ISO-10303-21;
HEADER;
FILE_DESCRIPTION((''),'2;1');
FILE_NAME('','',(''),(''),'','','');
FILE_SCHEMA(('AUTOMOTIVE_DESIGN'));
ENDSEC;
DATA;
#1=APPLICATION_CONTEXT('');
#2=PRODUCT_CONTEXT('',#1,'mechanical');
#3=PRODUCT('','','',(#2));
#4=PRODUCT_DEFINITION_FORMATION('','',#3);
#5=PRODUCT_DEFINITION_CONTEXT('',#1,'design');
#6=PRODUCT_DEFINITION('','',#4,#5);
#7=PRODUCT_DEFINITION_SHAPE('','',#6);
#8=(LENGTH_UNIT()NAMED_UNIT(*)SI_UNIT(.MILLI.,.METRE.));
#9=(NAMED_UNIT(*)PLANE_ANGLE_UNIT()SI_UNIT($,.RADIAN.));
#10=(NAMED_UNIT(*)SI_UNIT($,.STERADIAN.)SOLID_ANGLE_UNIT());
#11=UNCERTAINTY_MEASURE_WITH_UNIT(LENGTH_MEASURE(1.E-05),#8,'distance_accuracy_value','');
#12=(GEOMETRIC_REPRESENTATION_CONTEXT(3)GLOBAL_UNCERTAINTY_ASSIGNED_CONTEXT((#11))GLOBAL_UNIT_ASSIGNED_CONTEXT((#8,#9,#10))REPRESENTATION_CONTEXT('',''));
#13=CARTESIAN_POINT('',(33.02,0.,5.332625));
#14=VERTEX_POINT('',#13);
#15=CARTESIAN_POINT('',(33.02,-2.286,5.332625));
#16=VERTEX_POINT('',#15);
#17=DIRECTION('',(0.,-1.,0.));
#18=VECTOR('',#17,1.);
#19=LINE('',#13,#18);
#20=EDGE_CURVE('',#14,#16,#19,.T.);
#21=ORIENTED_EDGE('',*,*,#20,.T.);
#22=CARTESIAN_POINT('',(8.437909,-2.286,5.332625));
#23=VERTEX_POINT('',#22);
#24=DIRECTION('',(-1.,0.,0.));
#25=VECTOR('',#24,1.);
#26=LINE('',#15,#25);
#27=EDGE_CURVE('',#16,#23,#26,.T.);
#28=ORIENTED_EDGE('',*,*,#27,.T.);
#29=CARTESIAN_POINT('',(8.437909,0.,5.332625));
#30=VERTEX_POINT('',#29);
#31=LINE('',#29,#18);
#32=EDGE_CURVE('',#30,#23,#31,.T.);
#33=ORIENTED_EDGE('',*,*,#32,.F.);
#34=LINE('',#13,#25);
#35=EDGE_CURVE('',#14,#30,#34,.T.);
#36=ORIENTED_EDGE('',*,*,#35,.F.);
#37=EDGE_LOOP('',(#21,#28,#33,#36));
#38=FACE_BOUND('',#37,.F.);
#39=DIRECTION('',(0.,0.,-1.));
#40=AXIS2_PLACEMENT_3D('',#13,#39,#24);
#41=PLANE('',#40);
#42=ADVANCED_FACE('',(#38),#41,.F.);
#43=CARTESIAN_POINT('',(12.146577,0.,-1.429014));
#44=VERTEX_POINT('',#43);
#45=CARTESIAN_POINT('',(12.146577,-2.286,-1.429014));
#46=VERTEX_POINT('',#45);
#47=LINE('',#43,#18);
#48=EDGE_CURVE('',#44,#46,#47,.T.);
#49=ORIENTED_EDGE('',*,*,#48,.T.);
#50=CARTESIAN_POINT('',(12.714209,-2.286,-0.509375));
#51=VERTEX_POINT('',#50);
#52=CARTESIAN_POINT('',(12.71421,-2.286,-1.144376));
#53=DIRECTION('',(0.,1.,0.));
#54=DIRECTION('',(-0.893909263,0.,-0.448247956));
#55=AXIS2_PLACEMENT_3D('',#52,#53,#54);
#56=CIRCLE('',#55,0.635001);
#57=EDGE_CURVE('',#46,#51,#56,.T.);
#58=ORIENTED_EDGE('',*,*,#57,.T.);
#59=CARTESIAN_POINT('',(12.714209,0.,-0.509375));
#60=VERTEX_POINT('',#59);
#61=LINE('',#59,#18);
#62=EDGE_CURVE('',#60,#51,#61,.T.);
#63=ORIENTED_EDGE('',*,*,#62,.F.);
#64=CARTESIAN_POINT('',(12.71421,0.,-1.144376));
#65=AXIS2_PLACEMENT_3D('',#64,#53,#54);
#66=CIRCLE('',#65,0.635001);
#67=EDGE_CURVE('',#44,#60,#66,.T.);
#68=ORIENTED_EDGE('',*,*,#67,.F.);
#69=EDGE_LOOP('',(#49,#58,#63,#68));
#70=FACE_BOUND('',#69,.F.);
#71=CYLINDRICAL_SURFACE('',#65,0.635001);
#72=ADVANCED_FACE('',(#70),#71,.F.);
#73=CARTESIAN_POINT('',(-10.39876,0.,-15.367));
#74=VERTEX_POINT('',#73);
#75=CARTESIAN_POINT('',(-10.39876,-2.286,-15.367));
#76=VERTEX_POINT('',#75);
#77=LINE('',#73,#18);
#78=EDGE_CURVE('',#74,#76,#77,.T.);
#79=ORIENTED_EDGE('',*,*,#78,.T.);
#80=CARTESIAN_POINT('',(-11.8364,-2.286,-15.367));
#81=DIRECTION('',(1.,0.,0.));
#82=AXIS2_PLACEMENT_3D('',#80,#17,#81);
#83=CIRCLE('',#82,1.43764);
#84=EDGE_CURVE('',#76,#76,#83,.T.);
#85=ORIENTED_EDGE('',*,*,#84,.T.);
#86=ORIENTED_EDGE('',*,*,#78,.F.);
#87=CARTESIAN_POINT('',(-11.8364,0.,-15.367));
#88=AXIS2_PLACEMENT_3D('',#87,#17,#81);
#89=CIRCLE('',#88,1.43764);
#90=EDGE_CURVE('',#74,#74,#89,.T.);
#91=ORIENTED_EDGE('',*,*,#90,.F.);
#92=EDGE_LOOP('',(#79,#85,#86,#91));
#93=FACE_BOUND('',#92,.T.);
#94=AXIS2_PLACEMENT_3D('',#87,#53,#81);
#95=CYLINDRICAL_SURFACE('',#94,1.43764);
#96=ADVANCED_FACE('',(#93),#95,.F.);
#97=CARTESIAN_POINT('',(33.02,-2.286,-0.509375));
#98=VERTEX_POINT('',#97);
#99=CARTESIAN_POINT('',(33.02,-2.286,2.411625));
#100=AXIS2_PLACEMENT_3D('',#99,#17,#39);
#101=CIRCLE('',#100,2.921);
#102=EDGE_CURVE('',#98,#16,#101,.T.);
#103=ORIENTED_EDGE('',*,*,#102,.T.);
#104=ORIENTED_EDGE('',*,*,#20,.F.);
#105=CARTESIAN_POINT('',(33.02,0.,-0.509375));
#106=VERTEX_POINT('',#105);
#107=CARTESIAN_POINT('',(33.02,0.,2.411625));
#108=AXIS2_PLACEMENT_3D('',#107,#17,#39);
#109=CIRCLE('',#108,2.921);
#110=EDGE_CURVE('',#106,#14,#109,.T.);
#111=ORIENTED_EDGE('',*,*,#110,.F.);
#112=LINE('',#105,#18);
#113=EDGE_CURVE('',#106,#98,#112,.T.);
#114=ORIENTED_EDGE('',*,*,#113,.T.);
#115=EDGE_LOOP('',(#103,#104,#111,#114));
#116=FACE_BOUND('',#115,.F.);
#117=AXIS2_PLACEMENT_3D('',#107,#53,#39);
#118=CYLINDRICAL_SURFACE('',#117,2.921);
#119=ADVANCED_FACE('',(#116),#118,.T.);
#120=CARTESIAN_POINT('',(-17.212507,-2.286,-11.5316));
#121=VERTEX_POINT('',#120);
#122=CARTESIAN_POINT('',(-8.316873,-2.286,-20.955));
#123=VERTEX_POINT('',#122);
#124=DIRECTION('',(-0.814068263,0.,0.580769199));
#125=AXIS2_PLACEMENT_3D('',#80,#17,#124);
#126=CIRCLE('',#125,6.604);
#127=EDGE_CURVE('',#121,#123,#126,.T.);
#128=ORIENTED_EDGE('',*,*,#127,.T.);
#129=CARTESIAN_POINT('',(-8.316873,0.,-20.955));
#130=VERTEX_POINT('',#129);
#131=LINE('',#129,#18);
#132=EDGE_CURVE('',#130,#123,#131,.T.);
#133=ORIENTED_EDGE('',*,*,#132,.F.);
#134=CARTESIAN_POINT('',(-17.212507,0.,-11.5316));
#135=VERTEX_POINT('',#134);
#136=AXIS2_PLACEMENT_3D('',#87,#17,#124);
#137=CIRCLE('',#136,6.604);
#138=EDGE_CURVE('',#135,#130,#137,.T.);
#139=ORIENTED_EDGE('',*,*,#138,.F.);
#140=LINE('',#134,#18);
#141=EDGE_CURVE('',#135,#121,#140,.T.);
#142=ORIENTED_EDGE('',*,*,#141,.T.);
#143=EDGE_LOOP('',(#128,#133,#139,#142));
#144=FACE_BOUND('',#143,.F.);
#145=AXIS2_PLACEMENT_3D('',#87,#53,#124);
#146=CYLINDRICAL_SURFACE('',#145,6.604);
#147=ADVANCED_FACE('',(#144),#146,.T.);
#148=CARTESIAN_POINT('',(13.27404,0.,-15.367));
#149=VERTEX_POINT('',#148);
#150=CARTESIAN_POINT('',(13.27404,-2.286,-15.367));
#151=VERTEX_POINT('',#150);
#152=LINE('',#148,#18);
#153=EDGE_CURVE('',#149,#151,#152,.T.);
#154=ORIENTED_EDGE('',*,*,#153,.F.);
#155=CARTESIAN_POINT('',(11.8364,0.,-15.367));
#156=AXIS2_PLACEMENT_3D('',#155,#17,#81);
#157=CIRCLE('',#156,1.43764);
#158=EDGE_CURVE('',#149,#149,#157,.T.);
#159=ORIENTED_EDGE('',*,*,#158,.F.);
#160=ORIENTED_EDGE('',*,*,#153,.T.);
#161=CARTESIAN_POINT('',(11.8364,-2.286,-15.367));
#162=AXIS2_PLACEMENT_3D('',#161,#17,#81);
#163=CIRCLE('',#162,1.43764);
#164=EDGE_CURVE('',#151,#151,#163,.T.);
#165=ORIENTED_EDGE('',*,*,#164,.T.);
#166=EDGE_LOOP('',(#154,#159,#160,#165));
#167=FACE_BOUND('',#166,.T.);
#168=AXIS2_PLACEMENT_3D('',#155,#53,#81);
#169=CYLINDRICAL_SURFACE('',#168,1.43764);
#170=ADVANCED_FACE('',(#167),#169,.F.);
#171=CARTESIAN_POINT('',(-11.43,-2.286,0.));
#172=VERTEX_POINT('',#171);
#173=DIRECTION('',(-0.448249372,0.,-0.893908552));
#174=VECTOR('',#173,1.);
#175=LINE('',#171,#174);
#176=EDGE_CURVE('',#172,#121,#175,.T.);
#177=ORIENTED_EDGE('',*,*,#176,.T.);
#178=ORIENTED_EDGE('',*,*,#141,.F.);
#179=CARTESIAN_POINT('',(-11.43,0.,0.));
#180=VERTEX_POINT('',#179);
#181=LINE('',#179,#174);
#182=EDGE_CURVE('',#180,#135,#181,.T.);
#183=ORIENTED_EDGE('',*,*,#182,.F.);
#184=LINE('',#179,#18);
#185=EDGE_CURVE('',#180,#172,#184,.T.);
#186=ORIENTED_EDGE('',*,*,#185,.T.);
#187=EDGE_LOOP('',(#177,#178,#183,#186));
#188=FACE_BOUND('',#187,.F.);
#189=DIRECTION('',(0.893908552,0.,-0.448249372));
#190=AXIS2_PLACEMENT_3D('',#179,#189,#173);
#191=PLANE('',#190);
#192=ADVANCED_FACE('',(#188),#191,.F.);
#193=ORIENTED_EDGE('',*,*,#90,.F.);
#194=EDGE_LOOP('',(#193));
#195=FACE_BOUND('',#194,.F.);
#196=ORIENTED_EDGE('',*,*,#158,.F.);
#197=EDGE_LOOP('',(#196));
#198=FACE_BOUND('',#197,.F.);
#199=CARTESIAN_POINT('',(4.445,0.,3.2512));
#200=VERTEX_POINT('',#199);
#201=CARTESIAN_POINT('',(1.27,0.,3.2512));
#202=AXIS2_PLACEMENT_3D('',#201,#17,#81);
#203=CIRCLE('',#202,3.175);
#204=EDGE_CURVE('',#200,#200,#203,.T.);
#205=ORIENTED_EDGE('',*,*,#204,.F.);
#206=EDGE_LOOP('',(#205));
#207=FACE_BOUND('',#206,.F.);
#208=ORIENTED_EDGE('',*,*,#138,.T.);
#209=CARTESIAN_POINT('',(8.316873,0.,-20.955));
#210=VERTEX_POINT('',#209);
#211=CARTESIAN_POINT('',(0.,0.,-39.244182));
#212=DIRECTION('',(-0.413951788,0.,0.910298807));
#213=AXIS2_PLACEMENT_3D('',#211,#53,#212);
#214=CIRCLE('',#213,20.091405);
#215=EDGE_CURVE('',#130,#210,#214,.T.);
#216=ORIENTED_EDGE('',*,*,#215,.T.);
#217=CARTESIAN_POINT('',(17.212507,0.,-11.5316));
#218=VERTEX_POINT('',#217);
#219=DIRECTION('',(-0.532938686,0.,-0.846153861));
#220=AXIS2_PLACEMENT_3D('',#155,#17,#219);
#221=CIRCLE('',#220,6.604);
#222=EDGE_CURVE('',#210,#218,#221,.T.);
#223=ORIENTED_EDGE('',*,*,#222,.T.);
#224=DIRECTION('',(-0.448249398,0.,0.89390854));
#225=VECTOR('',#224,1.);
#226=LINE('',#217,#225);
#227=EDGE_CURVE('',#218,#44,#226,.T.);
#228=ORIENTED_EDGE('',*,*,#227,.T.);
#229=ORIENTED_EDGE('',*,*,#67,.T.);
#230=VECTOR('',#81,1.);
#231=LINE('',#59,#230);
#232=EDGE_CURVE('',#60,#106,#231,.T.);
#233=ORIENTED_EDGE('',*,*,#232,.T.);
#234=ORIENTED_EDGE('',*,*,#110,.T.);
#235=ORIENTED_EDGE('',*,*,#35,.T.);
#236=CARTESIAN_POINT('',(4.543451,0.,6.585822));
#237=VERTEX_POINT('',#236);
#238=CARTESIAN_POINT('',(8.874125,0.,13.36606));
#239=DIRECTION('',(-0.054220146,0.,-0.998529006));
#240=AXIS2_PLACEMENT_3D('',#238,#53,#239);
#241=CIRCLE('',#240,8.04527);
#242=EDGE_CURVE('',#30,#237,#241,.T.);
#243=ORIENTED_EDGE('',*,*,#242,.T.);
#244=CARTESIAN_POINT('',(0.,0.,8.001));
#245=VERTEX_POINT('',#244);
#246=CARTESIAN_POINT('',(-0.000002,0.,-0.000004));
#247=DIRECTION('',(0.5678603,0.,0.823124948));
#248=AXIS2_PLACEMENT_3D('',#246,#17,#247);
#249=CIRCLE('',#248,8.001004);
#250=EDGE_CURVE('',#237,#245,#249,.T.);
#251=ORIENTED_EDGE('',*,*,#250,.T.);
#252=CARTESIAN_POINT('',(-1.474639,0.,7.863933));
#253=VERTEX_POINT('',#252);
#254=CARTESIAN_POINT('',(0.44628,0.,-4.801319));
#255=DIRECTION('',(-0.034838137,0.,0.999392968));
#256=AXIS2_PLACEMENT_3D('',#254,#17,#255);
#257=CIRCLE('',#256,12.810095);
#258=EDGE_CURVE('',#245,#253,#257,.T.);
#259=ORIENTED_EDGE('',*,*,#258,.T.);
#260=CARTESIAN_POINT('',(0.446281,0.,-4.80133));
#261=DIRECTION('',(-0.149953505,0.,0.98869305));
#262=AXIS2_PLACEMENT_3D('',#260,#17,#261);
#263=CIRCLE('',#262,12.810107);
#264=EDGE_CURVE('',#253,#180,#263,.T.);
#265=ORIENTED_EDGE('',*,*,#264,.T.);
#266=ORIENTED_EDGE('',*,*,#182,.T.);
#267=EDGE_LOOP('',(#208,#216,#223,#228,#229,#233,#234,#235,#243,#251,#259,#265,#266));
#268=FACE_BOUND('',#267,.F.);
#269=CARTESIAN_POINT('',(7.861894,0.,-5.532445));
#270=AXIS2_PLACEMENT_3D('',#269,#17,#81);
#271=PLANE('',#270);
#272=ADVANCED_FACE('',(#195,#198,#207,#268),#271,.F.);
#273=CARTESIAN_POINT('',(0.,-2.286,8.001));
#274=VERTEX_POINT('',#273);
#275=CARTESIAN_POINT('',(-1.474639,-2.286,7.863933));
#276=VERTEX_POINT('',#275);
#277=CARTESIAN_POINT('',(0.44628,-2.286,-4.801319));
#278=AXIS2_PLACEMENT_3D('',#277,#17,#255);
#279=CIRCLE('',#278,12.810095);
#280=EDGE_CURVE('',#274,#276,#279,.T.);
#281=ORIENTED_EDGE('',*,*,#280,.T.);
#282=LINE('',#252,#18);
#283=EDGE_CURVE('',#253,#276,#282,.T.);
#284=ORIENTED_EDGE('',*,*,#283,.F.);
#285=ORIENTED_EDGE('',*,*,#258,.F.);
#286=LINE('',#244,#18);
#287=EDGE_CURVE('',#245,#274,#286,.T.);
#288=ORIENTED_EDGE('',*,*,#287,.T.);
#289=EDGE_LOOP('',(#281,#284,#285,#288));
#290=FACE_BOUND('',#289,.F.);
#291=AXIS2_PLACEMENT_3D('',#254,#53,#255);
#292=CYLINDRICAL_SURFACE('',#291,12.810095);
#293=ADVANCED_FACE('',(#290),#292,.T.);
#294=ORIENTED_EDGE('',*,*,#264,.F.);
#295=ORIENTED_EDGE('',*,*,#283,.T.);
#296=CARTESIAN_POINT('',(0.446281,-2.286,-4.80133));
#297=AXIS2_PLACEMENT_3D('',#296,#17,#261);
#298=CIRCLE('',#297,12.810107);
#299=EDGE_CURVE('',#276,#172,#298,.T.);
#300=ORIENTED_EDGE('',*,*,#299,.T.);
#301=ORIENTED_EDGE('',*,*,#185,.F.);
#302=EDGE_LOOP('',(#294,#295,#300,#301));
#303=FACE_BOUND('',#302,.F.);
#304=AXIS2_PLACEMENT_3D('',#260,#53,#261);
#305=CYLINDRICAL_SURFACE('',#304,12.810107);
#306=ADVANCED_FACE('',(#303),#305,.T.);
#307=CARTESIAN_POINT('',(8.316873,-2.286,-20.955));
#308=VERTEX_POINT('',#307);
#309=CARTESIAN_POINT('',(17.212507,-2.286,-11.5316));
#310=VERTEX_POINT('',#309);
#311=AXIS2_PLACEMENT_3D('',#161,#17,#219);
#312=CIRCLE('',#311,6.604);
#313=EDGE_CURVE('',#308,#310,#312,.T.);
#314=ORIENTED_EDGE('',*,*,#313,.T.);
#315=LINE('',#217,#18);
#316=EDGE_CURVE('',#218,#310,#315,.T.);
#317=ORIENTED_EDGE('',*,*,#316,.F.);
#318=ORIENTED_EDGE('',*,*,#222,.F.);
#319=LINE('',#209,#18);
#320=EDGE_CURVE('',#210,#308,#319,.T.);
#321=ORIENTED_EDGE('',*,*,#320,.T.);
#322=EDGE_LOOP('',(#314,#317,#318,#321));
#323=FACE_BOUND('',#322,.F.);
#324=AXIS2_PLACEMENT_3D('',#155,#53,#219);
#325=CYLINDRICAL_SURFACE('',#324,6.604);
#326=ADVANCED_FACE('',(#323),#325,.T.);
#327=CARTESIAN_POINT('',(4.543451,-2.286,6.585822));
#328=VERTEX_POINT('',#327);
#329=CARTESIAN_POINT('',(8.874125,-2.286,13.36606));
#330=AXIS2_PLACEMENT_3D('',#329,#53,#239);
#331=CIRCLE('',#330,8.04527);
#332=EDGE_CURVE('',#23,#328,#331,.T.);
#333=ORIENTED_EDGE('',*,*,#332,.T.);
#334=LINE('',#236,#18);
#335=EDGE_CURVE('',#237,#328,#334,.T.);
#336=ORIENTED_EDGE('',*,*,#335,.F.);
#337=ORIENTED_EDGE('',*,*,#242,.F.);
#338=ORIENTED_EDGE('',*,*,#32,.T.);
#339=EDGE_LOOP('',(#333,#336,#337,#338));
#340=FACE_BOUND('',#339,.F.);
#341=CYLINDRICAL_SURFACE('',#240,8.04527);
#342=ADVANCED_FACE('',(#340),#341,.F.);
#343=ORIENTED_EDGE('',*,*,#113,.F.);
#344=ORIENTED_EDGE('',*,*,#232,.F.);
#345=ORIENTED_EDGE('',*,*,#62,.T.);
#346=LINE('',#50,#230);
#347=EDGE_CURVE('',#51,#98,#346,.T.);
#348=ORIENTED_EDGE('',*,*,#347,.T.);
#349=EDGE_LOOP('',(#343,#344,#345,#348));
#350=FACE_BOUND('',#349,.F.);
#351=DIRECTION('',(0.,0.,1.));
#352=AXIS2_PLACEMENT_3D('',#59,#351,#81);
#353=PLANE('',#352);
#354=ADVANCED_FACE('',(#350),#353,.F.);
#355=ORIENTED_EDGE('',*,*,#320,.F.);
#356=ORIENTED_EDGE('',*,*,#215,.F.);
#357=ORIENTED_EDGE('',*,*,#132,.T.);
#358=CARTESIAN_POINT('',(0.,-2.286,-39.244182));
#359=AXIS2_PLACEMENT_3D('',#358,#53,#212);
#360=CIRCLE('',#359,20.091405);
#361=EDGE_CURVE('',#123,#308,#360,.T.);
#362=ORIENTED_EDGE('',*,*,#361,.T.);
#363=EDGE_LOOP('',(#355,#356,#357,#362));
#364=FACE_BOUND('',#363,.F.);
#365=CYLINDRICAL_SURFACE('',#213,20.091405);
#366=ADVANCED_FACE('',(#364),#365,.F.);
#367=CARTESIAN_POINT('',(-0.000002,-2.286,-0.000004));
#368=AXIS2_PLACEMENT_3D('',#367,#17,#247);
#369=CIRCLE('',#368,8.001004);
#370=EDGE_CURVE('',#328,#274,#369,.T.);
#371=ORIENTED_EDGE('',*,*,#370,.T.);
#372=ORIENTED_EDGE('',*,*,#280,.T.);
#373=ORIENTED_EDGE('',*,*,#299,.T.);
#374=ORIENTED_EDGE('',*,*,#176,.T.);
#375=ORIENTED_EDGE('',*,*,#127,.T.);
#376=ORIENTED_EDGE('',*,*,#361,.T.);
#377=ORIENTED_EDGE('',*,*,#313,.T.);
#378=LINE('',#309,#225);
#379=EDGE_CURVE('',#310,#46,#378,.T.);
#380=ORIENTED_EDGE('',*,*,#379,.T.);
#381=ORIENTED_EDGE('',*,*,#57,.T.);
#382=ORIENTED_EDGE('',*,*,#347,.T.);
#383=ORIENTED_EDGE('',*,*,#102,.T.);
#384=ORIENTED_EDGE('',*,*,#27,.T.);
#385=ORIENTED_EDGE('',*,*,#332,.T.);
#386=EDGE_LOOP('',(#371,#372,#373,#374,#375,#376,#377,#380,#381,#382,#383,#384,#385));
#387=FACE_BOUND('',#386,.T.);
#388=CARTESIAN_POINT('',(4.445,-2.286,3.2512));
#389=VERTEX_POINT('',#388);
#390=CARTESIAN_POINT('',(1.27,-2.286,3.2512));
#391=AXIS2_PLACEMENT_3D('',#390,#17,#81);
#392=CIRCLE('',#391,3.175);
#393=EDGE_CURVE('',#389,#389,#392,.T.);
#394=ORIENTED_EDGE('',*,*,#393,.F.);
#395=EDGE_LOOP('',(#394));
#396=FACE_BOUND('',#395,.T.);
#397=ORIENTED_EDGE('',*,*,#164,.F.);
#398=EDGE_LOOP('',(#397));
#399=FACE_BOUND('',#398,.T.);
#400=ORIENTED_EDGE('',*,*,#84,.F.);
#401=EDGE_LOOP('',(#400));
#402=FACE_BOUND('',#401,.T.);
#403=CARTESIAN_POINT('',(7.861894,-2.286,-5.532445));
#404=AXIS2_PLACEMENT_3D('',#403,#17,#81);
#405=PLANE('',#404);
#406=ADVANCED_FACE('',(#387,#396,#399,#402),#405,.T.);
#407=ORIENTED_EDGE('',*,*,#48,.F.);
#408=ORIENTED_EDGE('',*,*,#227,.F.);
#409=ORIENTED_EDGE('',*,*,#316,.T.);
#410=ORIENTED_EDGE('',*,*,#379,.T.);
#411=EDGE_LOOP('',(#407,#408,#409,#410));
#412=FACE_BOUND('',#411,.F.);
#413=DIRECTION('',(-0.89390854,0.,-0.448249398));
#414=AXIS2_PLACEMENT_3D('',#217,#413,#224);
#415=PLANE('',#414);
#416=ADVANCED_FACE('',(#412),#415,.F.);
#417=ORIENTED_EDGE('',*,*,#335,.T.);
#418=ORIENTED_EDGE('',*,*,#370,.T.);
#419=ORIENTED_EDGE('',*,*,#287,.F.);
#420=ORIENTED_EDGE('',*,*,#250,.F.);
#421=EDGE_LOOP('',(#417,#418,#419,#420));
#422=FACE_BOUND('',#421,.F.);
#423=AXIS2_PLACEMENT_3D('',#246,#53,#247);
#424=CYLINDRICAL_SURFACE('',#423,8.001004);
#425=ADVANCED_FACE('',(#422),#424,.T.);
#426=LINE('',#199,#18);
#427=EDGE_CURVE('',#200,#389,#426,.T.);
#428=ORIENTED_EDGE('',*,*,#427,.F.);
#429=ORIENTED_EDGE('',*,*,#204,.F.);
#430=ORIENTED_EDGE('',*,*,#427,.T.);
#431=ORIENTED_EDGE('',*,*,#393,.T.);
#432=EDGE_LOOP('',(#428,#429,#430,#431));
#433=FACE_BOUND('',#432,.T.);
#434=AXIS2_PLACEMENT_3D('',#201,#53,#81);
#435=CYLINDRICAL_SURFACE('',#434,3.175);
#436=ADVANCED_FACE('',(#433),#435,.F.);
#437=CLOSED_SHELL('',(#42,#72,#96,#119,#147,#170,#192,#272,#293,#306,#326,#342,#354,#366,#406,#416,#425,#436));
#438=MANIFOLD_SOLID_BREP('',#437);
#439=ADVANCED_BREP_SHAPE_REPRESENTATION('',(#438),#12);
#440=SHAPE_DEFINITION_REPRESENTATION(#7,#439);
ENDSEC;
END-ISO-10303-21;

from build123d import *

# Parameters (mm, degrees)
F0_R     = 1.43764
F0_R_2   = 3.175
F1_DEPTH = 2.286


with BuildPart() as f1:
    # F0 (on Front) → F1 (new body)
    with BuildSketch(Plane.XZ):
        with BuildLine():
            Line((-11.43, 0), (-17.212507, -11.5316))
            ThreePointArc((-17.212507, -11.5316), (-16.638674, -19.900319), (-8.316873, -20.955))
            ThreePointArc((-8.316873, -20.955), (0, -19.152777), (8.316873, -20.955))
            ThreePointArc((8.316873, -20.955), (16.638674, -19.900319), (17.212507, -11.5316))
            Line((17.212507, -11.5316), (12.146577, -1.429014))
            ThreePointArc((12.146577, -1.429014), (12.173853, -0.810849), (12.714209, -0.509375))
            Line((12.714209, -0.509375), (33.02, -0.509375))
            ThreePointArc((33.02, -0.509375), (35.941, 2.411625), (33.02, 5.332625))
            Line((33.02, 5.332625), (8.437909, 5.332625))
            ThreePointArc((8.437909, 5.332625), (6.409691, 5.70754), (4.543451, 6.585822))
            ThreePointArc((4.543451, 6.585822), (2.379373, 7.639017), (0, 8.001))
            ThreePointArc((0, 8.001), (-0.739302, 7.953795), (-1.474639, 7.863933))
            ThreePointArc((-1.474639, 7.863933), (-7.494188, 5.250922), (-11.43, 0))
        make_face()
        with Locations((-11.8364, -15.367)):
            Circle(F0_R, mode=Mode.SUBTRACT)
        with Locations((11.8364, -15.367)):
            Circle(F0_R, mode=Mode.SUBTRACT)
        with Locations((1.27, 3.2512)):
            Circle(F0_R_2, mode=Mode.SUBTRACT)
    extrude(amount=F1_DEPTH)


solid = f1.part
